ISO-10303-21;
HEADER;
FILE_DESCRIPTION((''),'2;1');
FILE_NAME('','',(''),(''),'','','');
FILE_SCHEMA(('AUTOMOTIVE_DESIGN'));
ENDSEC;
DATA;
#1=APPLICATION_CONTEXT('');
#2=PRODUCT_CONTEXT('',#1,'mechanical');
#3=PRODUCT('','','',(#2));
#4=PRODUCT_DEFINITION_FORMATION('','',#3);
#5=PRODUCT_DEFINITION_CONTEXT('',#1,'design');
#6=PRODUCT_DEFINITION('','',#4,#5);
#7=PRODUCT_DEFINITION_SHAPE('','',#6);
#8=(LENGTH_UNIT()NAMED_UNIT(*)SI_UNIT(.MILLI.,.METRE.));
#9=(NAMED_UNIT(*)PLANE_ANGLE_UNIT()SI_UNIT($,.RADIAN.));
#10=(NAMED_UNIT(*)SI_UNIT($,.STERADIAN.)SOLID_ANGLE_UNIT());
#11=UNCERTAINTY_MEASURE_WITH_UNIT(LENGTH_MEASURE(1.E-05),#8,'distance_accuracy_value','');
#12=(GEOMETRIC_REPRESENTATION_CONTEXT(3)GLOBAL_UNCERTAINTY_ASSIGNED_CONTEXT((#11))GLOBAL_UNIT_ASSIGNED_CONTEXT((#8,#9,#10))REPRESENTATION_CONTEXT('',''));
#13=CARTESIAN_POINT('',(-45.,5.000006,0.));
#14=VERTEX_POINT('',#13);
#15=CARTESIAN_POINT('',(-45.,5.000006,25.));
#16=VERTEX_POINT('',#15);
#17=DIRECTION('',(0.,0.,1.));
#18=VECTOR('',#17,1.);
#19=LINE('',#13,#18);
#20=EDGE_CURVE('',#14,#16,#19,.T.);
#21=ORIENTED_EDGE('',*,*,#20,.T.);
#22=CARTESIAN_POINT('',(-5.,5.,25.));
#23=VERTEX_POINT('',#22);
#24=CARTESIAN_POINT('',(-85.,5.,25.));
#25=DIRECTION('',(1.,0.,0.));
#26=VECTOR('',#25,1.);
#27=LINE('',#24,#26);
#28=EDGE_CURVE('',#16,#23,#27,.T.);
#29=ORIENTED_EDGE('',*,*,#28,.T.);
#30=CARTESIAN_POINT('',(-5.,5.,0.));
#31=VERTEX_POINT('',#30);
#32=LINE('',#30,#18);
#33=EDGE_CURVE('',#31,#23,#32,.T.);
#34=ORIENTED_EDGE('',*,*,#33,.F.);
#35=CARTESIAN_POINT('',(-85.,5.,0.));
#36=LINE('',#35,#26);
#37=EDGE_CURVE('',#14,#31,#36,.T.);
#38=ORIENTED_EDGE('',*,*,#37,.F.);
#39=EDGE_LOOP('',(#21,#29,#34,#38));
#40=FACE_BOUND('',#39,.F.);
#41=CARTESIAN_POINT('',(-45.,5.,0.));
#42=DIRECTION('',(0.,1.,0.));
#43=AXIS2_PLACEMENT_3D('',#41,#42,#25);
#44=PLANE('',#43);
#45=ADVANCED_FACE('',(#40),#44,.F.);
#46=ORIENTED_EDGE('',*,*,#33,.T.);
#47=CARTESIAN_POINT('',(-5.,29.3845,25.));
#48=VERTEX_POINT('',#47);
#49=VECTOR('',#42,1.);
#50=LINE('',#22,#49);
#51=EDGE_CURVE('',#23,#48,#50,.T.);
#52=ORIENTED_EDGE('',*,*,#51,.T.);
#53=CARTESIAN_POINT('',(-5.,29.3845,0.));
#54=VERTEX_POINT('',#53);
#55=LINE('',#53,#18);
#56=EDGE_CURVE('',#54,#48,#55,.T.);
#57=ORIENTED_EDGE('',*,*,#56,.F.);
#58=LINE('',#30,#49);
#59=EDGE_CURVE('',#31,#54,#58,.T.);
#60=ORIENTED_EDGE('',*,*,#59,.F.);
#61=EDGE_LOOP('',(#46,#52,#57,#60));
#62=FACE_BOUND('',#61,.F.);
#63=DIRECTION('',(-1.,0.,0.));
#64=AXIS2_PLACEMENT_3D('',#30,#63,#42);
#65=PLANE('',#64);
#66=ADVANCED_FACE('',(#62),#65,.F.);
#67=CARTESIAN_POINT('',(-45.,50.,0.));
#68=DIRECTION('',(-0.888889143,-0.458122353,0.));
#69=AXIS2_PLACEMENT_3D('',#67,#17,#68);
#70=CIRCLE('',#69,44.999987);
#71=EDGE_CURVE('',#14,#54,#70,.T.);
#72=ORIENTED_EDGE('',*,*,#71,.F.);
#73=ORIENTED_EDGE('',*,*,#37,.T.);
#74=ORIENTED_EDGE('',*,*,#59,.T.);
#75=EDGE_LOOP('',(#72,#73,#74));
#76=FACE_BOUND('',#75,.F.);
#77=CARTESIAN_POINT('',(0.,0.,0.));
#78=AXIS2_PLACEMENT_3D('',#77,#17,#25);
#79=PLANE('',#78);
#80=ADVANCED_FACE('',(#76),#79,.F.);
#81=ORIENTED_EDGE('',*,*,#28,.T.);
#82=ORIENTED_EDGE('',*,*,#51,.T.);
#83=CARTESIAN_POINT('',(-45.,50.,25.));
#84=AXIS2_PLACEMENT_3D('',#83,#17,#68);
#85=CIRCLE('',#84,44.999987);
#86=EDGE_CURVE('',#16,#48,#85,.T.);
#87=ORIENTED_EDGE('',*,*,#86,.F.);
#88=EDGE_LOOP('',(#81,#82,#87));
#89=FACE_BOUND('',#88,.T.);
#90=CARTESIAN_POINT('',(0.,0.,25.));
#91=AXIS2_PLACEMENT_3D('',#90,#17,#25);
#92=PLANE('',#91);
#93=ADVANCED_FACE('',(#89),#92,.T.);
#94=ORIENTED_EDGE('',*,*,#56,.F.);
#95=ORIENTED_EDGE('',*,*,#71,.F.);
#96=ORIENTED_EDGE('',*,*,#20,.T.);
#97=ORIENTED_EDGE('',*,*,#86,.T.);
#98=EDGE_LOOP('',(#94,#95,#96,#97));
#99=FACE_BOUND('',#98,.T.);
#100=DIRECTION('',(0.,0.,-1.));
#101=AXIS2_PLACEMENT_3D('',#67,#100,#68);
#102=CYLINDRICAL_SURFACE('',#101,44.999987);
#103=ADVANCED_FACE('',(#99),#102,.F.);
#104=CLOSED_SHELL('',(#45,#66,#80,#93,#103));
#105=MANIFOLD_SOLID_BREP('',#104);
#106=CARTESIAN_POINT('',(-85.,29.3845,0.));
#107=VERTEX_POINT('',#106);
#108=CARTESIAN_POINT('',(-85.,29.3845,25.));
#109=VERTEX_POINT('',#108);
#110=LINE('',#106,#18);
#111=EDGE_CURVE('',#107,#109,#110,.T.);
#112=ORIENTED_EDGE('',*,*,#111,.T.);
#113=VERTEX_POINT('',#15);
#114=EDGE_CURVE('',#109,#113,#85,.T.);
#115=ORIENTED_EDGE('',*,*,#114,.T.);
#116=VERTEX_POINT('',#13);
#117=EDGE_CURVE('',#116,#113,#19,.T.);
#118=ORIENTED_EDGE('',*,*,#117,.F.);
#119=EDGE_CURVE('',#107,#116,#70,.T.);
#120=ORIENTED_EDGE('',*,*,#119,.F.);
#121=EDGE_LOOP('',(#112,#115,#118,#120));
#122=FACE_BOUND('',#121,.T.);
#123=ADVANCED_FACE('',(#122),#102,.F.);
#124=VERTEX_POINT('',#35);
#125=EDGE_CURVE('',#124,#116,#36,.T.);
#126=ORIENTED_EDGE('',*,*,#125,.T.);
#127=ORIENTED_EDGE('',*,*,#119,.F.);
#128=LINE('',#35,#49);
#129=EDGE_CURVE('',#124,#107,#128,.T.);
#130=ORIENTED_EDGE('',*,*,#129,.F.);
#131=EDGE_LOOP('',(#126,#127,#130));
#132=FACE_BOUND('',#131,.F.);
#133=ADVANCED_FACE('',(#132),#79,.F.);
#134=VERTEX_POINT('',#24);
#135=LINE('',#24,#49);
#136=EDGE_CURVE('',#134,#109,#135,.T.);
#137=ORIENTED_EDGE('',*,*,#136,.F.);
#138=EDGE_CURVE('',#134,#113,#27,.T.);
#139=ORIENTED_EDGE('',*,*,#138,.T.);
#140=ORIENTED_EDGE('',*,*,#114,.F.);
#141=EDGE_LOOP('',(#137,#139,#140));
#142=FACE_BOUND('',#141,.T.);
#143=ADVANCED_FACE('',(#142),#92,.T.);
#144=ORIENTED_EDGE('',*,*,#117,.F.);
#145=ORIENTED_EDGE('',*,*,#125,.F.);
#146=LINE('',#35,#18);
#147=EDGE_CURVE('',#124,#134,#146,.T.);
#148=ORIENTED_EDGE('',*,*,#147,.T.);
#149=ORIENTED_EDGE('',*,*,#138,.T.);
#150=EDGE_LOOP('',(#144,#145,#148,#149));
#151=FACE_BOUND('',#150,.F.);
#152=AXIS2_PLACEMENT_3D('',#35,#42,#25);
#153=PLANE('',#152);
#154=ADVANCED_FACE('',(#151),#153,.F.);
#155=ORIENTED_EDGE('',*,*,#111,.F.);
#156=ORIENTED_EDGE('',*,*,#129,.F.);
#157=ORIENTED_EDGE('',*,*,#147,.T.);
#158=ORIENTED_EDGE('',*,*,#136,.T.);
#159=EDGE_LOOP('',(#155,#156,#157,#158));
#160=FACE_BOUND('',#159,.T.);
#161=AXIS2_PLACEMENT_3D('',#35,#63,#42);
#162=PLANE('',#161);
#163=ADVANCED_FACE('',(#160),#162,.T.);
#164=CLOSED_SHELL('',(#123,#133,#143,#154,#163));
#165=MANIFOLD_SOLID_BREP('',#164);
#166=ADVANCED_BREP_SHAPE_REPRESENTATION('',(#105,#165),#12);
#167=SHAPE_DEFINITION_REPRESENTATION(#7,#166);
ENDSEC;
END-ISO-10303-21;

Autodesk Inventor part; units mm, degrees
ref_plane "YZ Plane" through (0, 0, 0) normal (1, 0, 0) x (0, 1, 0)
ref_plane "XZ Plane" through (0, 0, 0) normal (0, 1, 0) x (-1, 0, 0)
ref_plane "XY Plane" through (0, 0, 0) normal (0, 0, 1) x (1, 0, 0)
sketch "スケッチ1" plane through (0, 0, 0) normal (0, 0, 1) x (1, 0, 0)
  line L0 (-5, 5) -> (-5, 29.3845)
  line L1 (-85, 5) -> (-85, 29.3845)
  arc A0 (-85, 29.3845) -> (-5, 29.3845) centre (-45, 50) ccw
  line L2 (-85, 5) -> (-5, 5)
  line L3 (-85, 5) -> (-5, 5)
  arc A1 (-85, 29.3845) -> (-5, 29.3845) centre (-45, 50) ccw
  line L4 (-85, 29.3845) -> (-85, 5)
  line L5 (-5, 29.3845) -> (-5, 5)
  line L6 (-5, 5) -> (-85, 5)
  line L7 (-85, 5) -> (-5, 5)
  line L8 (-5, 5) -> (-5, 29.3845)
  line L9 (-5, 29.3845) -> (-85, 29.3845)
  line L10 (-85, 29.3845) -> (-85, 5)
  arc A2 (-85, 29.3845) -> (-5, 29.3845) centre (-45, 50) ccw
  point P0 (0, 0)
extrude "押し出し1" add sketch "スケッチ1" along normal blind 25 contours L2 A0 L0 | L2 L1 A0
properties part number "知能ロボコン発射台つなぎ"
